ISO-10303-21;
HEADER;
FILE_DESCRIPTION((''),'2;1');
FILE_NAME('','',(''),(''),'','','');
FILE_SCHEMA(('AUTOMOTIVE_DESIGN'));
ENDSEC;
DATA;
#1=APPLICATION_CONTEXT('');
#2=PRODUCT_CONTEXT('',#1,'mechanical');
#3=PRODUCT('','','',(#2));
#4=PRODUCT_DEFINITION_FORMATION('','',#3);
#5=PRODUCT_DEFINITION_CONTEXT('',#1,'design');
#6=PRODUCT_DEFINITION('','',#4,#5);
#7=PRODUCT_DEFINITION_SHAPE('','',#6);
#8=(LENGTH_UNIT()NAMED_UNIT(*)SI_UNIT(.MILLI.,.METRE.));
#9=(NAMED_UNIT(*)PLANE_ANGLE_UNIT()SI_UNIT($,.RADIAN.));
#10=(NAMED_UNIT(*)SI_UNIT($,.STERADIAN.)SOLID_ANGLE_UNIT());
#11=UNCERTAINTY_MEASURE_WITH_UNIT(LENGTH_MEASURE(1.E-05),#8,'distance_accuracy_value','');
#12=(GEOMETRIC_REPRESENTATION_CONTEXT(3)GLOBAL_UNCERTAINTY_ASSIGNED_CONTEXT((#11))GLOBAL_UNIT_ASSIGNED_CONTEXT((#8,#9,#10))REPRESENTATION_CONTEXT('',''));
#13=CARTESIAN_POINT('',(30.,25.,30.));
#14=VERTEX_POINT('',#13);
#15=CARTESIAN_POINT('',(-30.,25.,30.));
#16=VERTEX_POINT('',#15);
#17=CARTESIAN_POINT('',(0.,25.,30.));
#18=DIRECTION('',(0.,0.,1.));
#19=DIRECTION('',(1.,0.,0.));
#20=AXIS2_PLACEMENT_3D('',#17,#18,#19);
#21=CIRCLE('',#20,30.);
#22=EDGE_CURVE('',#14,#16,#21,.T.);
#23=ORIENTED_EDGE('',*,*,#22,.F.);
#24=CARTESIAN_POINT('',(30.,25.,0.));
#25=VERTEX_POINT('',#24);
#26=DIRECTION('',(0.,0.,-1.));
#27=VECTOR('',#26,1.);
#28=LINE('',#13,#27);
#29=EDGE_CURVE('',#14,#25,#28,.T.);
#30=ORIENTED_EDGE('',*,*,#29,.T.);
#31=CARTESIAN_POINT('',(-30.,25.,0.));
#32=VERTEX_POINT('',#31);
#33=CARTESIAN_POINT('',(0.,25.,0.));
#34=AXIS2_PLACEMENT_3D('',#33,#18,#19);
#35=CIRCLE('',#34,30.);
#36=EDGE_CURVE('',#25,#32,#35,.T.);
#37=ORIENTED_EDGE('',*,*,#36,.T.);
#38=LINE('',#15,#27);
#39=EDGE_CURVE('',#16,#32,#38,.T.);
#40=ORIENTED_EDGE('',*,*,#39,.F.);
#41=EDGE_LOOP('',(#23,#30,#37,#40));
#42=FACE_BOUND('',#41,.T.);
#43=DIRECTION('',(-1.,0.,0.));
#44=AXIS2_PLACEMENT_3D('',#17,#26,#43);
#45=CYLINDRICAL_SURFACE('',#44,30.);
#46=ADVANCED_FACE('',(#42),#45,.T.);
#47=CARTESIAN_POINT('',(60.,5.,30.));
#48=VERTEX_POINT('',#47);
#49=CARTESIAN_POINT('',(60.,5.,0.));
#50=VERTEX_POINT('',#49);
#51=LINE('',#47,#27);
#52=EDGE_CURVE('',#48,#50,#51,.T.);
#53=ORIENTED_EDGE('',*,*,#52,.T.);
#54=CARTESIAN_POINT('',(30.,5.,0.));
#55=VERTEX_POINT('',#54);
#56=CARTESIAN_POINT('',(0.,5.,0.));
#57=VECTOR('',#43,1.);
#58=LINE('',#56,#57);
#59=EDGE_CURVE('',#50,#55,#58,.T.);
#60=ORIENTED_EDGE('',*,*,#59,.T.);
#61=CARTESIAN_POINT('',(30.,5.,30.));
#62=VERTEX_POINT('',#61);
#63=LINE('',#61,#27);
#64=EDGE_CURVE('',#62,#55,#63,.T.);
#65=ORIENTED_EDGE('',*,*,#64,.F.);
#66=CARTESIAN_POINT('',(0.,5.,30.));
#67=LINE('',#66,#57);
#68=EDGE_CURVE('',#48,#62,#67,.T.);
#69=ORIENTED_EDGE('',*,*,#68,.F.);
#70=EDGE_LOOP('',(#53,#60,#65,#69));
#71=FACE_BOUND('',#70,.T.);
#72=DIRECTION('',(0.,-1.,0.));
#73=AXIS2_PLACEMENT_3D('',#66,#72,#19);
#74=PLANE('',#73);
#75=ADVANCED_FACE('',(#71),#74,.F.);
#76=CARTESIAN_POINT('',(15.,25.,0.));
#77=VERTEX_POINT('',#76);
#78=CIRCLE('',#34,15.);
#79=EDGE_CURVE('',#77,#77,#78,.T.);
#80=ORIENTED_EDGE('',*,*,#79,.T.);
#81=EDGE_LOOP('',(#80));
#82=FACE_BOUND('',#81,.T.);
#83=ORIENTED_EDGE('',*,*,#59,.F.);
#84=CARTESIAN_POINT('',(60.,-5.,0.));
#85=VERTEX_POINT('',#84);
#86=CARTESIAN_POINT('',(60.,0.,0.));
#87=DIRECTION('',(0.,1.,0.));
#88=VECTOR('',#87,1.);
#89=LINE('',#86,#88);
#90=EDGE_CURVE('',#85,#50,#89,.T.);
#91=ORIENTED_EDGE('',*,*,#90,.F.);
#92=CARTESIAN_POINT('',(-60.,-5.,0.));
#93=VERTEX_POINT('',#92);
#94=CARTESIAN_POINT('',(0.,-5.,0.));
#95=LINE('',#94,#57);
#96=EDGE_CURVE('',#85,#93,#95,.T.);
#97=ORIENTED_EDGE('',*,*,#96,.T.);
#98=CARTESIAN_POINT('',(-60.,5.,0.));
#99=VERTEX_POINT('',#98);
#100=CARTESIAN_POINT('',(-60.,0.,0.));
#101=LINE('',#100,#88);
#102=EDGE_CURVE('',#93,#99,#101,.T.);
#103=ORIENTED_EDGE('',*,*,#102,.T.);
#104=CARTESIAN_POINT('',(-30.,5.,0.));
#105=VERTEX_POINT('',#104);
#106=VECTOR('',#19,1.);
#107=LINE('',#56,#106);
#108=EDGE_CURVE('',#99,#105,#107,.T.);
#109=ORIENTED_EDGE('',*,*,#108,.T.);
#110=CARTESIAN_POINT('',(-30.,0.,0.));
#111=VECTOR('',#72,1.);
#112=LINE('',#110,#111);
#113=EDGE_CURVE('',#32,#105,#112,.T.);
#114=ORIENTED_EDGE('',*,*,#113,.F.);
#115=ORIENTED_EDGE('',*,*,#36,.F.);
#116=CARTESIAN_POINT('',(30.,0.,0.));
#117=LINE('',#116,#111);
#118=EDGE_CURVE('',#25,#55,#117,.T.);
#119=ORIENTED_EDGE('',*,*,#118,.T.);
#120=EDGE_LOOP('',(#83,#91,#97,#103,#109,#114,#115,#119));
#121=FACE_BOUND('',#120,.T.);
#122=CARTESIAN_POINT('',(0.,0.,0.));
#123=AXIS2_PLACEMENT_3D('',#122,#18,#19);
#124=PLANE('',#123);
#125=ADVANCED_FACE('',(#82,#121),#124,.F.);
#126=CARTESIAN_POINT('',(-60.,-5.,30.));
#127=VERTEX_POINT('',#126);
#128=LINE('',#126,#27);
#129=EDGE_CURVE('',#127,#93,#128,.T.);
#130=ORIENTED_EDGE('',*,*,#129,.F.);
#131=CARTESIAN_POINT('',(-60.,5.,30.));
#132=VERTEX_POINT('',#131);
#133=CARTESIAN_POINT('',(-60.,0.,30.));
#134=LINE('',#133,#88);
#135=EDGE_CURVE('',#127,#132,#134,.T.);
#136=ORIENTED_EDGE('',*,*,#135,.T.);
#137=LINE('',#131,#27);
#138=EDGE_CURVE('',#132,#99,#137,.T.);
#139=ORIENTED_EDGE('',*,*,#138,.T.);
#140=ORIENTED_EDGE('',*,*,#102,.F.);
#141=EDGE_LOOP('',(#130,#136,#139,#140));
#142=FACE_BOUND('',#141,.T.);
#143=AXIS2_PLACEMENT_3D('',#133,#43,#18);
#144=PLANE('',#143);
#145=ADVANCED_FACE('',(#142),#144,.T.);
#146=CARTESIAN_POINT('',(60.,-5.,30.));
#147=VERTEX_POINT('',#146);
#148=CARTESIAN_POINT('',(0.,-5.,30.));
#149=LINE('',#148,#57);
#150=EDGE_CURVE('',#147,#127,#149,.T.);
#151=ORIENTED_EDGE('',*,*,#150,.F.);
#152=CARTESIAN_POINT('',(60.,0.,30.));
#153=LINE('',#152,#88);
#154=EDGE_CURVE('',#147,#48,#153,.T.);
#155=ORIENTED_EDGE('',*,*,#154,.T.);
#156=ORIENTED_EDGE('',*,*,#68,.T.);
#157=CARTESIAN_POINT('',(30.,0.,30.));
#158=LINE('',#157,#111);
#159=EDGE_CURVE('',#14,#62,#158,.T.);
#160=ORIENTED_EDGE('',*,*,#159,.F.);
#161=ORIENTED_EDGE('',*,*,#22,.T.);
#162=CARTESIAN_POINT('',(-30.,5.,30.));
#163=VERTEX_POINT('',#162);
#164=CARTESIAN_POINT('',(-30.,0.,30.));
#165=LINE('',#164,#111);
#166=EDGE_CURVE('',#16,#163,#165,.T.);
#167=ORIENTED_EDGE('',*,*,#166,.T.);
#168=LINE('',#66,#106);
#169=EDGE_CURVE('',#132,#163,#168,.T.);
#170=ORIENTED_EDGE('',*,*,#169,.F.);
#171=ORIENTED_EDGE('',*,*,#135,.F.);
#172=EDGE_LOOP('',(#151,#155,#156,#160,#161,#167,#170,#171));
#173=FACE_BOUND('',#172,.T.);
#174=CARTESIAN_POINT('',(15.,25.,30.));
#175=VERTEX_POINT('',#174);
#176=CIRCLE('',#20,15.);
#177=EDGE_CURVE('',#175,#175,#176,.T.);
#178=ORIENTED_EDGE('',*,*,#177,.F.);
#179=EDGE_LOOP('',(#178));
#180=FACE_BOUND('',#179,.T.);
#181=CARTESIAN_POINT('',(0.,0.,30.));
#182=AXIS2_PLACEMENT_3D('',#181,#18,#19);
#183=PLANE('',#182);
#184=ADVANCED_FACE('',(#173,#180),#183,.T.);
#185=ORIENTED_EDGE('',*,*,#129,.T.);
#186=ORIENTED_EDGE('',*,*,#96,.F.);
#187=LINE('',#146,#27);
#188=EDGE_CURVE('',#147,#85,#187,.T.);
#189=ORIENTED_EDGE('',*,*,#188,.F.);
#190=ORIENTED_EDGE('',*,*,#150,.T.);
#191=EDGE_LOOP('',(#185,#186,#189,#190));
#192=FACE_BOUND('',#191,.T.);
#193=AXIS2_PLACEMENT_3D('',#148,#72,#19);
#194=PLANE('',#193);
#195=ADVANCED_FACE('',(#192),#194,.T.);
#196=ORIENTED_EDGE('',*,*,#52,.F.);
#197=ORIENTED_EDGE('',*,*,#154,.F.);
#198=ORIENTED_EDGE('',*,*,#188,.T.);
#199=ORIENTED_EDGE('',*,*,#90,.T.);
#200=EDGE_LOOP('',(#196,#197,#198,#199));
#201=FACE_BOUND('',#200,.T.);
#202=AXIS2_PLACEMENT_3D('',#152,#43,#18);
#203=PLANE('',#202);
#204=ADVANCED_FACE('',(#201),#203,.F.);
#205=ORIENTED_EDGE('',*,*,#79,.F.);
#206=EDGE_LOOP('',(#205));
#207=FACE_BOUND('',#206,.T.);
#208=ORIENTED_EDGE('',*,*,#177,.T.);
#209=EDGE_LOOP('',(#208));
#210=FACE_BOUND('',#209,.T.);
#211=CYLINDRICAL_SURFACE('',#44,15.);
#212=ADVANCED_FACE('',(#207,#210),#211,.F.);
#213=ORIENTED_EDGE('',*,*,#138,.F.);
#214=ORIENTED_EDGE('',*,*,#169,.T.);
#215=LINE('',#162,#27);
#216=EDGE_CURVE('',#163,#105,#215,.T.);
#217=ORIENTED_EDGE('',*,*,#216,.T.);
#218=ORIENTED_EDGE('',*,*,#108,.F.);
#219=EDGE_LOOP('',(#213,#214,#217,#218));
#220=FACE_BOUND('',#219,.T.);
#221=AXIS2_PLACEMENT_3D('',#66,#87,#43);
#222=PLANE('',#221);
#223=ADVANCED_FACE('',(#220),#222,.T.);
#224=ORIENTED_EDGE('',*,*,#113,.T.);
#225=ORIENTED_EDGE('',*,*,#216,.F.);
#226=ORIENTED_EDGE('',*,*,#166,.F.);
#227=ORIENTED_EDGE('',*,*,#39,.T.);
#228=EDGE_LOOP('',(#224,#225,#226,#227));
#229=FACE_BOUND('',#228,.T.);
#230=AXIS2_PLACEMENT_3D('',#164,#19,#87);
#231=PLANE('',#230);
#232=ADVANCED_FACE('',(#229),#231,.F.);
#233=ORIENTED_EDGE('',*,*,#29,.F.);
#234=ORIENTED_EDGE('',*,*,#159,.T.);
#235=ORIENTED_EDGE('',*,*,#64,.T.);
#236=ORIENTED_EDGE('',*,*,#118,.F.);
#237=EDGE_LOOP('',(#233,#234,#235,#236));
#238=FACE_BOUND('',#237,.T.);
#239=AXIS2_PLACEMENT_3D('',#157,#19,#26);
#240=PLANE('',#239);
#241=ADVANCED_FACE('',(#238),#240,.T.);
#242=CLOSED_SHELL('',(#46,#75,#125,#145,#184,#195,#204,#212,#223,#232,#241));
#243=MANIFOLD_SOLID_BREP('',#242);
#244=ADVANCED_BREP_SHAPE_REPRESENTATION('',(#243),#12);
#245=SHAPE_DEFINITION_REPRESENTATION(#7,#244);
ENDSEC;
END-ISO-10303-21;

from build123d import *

# Parameters (mm, degrees)
SKETCH1_R           = 15
BOSS_EXTRUDE1_DEPTH = 30


with BuildPart() as part:
    # Sketch1 → Boss-Extrude1 (new body)
    with BuildSketch(Plane.XY):
        with BuildLine():
            Line((30, 25), (30, 5))
            Line((30, 5), (60, 5))
            Line((60, 5), (60, -5))
            Line((60, -5), (-60, -5))
            Line((-60, -5), (-60, 5))
            Line((-60, 5), (-30, 5))
            Line((-30, 5), (-30, 25))
            ThreePointArc((-30, 25), (0, 55), (30, 25))
        make_face()
        with Locations((0, 25)):
            Circle(SKETCH1_R, mode=Mode.SUBTRACT)
    extrude(amount=BOSS_EXTRUDE1_DEPTH)


solid = part.part
